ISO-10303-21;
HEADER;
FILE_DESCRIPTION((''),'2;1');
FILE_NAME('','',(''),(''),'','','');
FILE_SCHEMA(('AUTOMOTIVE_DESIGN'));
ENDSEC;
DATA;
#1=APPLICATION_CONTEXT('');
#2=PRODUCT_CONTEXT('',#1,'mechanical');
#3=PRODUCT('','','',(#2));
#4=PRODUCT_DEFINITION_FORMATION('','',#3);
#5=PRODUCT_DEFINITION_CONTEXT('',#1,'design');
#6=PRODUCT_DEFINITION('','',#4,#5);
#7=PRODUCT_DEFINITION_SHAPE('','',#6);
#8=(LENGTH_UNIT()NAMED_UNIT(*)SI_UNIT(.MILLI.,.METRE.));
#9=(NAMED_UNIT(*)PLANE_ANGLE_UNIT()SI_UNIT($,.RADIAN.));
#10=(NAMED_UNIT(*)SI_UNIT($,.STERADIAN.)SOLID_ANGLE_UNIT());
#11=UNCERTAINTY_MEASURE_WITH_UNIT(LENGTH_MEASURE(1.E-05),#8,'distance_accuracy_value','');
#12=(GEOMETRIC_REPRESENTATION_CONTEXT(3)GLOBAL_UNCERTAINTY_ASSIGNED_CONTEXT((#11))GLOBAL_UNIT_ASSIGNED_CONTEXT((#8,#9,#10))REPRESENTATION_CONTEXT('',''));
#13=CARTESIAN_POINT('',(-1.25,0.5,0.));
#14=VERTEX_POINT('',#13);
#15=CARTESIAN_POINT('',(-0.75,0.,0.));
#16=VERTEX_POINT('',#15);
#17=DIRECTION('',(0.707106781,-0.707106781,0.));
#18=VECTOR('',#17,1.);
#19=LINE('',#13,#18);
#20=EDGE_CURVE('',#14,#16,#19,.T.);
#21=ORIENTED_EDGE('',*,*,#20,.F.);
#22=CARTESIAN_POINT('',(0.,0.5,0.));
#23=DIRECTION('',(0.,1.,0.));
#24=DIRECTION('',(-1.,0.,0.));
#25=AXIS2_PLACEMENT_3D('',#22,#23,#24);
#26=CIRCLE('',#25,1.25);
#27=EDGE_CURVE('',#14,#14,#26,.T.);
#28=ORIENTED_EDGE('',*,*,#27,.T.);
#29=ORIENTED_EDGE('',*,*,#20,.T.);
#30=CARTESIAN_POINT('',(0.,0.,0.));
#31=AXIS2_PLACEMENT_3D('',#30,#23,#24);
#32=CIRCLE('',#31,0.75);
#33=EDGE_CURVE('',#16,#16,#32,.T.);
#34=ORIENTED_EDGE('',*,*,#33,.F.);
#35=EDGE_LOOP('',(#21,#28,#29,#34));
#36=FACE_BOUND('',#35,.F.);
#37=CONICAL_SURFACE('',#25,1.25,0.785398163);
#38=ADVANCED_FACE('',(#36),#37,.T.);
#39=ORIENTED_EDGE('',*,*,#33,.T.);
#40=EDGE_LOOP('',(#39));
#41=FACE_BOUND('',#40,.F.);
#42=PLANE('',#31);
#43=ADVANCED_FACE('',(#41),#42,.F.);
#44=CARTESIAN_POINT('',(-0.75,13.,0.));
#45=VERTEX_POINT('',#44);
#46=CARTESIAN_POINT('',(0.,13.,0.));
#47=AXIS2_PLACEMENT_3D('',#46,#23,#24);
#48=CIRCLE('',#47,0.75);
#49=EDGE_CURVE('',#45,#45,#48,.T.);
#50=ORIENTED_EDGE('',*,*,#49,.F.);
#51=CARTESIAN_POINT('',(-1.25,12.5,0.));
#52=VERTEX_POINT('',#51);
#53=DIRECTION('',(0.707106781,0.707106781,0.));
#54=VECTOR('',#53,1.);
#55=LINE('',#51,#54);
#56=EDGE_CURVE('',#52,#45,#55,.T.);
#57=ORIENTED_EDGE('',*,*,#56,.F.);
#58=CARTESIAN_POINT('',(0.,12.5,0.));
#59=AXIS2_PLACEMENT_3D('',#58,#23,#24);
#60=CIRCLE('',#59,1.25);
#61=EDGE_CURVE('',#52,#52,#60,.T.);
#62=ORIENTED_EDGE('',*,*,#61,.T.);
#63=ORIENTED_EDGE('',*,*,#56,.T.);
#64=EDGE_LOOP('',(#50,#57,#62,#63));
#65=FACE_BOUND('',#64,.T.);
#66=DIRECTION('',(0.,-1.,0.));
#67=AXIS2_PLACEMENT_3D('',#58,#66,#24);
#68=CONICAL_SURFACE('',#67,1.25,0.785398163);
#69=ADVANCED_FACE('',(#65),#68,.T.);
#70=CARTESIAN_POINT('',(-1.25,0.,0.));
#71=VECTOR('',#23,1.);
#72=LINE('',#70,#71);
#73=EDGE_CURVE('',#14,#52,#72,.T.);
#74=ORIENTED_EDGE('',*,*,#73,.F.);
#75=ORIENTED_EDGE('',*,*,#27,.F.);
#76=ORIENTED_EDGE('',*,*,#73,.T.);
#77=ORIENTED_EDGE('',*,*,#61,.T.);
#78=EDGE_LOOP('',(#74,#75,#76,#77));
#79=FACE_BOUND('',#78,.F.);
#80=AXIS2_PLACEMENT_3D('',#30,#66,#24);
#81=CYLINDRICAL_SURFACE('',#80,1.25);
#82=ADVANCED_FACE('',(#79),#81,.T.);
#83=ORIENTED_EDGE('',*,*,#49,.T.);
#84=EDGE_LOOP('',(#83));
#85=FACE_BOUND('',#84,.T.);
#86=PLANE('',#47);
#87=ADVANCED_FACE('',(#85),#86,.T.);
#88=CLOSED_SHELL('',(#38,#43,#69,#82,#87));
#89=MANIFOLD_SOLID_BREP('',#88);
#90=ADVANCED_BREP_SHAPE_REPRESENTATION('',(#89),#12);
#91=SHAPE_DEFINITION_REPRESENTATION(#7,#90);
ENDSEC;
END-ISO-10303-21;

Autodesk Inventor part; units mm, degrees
ref_plane "YZ Plane" through (0, 0, 0) normal (1, 0, 0) x (0, 1, 0)
ref_plane "XZ Plane" through (0, 0, 0) normal (0, 1, 0) x (-1, 0, 0)
ref_plane "XY Plane" through (0, 0, 0) normal (0, 0, 1) x (1, 0, 0)
sketch "Skizze1" plane through (0, 0, 0) normal (0, 1, 0) x (-1, 0, 0)
  circle A0 centre (0, 0) radius 1.25
  dimension "d0" = 2.5
extrude "Extrusion1" add sketch "Skizze1" along normal blind 13
chamfer "Fasen1" distance 0.5 angle 45 2 edges at (1.25, 13, 0) (1.25, 0, 0)
properties part number "205Bolt" material "Aluminium 6061"
